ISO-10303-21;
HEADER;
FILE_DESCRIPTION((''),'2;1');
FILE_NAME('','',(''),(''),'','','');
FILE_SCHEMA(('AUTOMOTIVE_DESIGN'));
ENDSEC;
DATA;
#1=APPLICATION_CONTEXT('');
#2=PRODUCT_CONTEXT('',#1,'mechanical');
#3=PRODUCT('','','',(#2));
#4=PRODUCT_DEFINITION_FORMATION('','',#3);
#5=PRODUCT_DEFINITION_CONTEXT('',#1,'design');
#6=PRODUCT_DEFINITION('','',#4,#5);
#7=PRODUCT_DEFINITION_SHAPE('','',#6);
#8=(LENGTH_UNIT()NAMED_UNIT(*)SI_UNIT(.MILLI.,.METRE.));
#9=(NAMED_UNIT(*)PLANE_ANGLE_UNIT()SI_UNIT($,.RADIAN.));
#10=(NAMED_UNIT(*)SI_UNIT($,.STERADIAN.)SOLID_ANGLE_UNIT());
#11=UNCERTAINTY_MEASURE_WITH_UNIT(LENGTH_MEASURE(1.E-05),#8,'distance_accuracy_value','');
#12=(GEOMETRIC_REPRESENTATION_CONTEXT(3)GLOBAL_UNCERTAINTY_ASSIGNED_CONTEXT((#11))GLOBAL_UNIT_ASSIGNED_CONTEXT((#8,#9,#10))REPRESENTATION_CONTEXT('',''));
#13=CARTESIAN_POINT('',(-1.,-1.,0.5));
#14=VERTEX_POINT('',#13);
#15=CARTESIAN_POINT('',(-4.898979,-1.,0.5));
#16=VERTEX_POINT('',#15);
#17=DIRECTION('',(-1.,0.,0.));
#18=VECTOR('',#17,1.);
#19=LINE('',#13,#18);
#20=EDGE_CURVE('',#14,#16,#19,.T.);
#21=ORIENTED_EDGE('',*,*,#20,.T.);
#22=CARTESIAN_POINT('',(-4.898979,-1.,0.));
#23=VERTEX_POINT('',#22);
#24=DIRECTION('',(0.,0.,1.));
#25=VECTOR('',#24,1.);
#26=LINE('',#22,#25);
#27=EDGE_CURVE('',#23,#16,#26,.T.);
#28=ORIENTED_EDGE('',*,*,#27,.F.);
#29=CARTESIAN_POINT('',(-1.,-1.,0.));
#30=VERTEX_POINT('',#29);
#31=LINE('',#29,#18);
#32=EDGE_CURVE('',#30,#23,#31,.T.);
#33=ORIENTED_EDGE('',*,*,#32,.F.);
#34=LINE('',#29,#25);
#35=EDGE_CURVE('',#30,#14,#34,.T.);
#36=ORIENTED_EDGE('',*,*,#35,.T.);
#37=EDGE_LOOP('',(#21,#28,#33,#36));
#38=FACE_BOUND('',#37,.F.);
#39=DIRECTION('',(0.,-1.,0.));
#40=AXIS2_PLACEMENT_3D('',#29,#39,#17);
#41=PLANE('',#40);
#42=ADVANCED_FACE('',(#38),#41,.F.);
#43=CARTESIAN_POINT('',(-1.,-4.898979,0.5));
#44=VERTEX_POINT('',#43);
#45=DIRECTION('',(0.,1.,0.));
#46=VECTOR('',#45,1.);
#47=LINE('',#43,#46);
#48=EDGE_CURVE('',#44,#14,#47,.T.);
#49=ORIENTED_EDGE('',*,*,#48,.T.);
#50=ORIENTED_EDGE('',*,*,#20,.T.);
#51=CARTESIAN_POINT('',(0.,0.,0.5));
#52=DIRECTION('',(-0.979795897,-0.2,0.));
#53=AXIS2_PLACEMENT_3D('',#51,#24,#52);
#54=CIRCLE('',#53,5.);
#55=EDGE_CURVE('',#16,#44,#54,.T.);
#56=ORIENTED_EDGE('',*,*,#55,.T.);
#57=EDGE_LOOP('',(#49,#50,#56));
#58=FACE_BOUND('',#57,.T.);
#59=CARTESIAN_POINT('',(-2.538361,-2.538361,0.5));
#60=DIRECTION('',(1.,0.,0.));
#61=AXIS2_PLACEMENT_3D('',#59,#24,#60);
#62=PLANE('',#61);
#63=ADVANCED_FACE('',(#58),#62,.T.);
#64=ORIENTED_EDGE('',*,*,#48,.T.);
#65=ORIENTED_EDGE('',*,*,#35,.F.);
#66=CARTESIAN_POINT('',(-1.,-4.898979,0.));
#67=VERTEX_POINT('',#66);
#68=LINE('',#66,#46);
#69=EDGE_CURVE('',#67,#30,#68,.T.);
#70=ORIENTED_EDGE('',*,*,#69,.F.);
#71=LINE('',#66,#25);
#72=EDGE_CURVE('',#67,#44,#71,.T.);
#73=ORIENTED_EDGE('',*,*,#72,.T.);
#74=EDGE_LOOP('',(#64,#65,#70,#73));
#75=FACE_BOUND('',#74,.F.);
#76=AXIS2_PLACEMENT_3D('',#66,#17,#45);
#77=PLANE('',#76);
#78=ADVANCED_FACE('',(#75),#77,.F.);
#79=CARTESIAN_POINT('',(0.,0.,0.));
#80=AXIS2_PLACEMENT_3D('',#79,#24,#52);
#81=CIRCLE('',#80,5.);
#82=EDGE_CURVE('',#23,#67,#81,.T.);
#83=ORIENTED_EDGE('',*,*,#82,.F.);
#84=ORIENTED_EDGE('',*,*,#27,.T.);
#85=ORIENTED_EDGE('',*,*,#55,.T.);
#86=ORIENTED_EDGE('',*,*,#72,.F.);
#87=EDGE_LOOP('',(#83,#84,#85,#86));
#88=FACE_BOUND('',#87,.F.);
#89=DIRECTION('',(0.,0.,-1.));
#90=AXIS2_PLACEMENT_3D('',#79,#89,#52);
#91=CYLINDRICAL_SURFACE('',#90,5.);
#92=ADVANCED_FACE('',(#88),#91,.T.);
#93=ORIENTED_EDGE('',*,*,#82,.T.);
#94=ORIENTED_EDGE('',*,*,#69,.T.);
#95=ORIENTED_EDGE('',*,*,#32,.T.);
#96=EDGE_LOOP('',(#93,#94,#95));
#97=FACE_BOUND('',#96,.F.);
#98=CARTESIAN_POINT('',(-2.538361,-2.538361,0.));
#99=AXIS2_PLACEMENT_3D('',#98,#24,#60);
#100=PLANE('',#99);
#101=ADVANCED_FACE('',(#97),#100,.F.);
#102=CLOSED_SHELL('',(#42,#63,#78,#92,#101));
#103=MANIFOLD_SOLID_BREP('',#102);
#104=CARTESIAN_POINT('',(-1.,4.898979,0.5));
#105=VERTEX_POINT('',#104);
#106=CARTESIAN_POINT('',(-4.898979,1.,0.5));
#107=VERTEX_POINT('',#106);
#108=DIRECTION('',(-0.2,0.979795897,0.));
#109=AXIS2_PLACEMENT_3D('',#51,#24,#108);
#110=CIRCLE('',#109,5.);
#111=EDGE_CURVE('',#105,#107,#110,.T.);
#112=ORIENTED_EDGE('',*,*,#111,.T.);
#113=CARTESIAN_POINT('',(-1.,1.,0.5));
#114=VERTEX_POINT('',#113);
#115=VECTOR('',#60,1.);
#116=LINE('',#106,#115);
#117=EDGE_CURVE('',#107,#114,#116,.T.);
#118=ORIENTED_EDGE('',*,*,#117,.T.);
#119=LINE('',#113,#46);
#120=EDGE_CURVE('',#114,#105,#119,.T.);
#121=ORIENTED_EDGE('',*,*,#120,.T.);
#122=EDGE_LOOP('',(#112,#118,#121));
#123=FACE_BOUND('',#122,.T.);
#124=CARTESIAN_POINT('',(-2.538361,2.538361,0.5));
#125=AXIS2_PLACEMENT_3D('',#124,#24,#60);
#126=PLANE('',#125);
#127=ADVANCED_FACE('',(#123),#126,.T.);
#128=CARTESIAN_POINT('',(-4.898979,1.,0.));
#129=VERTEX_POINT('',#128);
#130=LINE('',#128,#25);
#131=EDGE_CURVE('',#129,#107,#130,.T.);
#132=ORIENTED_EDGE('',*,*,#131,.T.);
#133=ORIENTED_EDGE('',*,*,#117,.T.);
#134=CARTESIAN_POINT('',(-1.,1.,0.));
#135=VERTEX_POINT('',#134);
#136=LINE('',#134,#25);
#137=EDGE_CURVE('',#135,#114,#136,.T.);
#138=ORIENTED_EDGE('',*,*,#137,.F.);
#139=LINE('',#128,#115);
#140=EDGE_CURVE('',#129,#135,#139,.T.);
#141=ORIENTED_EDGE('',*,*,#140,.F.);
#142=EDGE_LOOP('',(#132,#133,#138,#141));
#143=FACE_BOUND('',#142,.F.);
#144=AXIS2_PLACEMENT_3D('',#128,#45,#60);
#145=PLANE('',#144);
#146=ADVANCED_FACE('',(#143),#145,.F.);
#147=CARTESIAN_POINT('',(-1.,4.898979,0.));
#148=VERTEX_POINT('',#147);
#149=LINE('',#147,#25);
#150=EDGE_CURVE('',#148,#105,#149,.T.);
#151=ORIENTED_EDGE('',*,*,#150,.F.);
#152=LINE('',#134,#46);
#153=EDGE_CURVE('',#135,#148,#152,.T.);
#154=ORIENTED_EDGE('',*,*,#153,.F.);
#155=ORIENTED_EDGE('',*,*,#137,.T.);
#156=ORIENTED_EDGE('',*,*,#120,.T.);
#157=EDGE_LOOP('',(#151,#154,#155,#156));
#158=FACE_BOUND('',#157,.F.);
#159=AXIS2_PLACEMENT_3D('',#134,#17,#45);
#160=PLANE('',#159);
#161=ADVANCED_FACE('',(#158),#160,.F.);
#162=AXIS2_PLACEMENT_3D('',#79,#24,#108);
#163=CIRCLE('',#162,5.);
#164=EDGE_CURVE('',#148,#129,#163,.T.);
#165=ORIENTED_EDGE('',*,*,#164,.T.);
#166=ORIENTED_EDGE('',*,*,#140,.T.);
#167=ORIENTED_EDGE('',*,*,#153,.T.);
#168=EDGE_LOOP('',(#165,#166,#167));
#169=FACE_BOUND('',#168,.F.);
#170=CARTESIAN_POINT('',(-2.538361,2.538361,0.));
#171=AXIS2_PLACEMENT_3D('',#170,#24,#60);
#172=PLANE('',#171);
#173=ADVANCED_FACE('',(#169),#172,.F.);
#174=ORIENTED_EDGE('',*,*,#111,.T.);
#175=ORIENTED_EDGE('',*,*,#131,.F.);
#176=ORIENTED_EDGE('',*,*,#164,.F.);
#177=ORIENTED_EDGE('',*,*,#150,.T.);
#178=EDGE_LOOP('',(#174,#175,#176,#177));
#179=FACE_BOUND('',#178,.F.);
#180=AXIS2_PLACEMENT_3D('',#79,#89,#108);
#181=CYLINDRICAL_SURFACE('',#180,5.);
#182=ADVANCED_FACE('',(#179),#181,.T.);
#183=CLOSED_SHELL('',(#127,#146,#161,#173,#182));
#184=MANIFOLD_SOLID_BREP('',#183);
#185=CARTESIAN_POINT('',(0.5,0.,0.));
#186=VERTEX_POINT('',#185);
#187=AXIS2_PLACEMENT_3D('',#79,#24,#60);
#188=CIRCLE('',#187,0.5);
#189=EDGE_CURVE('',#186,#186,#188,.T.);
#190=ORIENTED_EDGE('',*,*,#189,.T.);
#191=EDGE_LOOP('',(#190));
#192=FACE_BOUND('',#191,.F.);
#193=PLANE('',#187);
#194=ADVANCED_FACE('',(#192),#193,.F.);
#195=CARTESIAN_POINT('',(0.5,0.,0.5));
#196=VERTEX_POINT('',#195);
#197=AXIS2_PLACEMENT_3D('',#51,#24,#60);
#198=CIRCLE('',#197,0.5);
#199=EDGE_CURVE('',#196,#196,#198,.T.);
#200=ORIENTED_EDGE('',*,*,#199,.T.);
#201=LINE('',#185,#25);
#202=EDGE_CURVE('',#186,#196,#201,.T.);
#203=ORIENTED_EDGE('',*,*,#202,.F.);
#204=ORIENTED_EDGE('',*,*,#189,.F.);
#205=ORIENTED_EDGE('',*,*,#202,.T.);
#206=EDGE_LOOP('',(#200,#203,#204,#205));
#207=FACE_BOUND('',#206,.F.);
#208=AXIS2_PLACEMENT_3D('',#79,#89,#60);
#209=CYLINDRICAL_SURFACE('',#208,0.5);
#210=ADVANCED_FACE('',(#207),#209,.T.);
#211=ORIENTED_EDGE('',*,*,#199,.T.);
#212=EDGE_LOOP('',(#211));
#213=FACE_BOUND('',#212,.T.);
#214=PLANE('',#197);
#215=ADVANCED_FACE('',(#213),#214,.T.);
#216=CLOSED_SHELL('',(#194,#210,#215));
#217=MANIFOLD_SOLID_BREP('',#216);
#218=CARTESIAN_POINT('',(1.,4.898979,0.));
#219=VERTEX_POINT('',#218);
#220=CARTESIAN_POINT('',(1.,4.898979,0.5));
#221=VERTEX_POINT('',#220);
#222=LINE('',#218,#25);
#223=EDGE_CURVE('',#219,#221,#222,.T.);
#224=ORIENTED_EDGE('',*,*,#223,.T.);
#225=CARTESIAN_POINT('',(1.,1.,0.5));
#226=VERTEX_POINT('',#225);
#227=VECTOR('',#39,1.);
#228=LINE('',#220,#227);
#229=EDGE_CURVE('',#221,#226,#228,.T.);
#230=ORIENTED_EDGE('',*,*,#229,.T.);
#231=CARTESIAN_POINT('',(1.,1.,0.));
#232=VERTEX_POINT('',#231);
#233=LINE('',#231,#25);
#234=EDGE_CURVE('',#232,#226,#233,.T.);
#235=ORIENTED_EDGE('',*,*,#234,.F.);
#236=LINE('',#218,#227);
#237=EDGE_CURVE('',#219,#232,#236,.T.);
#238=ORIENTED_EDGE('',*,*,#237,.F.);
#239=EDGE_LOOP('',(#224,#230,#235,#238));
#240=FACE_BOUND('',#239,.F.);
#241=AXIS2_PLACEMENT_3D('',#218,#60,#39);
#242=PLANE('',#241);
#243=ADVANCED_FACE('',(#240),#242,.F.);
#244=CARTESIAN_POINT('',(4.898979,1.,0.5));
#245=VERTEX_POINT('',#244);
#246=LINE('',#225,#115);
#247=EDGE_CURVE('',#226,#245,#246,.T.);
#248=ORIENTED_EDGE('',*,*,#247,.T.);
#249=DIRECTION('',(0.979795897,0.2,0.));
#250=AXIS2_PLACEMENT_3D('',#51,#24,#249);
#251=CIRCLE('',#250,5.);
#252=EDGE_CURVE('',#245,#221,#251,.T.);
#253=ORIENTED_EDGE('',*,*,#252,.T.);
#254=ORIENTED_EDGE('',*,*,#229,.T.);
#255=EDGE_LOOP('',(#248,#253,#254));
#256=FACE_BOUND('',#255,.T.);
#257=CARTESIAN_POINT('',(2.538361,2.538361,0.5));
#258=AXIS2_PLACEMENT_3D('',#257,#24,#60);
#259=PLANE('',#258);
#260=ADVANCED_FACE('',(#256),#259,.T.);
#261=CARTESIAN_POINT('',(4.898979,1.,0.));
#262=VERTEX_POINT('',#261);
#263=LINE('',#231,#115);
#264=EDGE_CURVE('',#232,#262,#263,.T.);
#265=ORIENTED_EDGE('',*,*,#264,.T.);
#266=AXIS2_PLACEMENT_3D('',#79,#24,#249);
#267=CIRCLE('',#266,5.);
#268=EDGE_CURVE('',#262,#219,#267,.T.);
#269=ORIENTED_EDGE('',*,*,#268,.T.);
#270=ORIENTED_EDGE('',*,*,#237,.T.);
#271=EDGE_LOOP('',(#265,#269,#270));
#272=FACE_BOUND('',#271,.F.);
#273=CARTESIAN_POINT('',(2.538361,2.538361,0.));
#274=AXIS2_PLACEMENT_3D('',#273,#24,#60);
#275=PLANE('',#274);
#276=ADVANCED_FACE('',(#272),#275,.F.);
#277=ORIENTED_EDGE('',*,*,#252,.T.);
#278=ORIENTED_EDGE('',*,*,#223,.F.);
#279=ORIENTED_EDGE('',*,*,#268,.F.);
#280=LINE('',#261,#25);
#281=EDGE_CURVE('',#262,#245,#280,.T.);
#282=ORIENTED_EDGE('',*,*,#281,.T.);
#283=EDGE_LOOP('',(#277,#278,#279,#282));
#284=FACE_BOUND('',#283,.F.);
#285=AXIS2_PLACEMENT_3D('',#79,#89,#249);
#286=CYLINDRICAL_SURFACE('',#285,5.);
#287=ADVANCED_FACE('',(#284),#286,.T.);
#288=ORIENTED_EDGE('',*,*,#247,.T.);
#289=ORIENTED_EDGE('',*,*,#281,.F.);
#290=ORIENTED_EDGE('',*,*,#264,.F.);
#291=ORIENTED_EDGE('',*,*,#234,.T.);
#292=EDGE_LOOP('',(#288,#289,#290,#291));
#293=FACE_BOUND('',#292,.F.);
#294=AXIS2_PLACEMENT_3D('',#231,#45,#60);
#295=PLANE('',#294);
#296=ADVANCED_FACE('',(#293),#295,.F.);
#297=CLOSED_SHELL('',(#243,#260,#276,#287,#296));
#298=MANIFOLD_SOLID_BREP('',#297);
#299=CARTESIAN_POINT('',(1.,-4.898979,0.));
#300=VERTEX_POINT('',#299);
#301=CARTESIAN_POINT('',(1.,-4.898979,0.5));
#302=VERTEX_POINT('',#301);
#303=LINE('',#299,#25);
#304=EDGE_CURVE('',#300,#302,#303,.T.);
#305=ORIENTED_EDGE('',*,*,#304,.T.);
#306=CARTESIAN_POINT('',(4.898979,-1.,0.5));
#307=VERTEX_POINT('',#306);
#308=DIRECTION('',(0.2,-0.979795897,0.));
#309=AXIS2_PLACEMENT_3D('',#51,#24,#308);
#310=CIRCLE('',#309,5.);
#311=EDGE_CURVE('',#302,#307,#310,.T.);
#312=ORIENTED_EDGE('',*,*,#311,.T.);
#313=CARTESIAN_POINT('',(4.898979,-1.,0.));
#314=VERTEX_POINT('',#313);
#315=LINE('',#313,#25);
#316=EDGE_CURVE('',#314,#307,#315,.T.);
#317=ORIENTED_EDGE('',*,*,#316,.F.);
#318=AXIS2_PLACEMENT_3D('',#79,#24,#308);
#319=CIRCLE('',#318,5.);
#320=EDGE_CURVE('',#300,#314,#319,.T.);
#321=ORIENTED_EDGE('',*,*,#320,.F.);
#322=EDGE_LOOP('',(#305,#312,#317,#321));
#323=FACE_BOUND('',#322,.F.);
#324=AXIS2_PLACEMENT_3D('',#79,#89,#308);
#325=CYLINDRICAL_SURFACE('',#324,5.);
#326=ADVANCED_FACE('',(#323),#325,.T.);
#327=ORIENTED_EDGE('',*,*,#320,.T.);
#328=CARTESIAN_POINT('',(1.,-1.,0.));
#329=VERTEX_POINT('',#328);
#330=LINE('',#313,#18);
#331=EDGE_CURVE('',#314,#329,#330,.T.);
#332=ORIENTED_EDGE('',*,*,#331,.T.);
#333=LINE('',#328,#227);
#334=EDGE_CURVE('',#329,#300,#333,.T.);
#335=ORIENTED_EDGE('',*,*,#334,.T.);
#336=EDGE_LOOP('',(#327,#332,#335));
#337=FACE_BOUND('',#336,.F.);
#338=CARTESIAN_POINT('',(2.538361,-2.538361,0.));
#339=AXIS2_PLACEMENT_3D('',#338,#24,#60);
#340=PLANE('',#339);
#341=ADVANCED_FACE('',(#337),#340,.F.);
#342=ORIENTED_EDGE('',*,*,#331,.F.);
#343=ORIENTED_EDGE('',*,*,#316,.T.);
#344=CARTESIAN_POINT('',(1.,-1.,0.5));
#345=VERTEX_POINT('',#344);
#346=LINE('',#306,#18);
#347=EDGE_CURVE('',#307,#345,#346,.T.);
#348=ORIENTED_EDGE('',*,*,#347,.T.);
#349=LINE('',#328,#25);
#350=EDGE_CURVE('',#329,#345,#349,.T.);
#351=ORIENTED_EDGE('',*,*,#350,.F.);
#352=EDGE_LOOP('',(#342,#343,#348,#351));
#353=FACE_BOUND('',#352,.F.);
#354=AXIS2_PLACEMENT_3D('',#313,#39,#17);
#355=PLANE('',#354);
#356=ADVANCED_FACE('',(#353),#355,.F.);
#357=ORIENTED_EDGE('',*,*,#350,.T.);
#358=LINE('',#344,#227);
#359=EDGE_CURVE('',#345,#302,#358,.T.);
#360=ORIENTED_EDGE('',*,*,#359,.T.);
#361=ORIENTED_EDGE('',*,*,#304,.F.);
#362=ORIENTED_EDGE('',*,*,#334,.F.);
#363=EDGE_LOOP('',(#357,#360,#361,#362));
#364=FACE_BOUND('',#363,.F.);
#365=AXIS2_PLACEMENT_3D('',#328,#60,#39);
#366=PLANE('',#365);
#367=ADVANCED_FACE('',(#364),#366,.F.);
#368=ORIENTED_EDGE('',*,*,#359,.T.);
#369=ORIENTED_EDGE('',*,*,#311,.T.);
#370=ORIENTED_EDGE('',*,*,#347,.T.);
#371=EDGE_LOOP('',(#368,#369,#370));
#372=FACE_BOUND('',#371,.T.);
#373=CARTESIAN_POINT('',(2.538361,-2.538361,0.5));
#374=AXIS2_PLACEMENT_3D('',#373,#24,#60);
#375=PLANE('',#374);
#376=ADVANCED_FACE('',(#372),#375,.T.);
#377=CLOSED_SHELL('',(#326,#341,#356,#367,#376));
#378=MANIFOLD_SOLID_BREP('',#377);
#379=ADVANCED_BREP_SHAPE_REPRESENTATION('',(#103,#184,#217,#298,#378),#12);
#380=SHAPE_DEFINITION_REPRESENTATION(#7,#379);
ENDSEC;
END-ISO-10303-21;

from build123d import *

# Parameters (mm, degrees)
F0_R     = 0.5
F1_DEPTH = 0.5


with BuildPart() as f1:
    # F0 (on Top) → F1 (new body)
    with BuildSketch(Plane.XY):
        Circle(F0_R)
    extrude(amount=F1_DEPTH)


with BuildPart() as f1b:
    # F0 (on Top) → F1, piece 2 (new body)
    with BuildSketch(Plane.XY):
        with BuildLine():
            Line((-1, 1), (-1, 4.8989794856))
            ThreePointArc((-1, 4.8989794856), (-3.5355339059, 3.5355339059), (-4.8989794856, 1))
            Line((-4.8989794856, 1), (-1, 1))
        make_face()
    extrude(amount=F1_DEPTH)


with BuildPart() as f1c:
    # F0 (on Top) → F1, piece 3 (new body)
    with BuildSketch(Plane.XY):
        with BuildLine():
            Line((1, 1), (4.8989794856, 1))
            ThreePointArc((4.8989794856, 1), (3.5355339059, 3.5355339059), (1, 4.8989794856))
            Line((1, 4.8989794856), (1, 1))
        make_face()
    extrude(amount=F1_DEPTH)


with BuildPart() as f1d:
    # F0 (on Top) → F1, piece 4 (new body)
    with BuildSketch(Plane.XY):
        with BuildLine():
            ThreePointArc((1, -4.8989794856), (3.5355339059, -3.5355339059), (4.8989794856, -1))
            Line((4.8989794856, -1), (1, -1))
            Line((1, -1), (1, -4.8989794856))
        make_face()
    extrude(amount=F1_DEPTH)


with BuildPart() as f1e:
    # F0 (on Top) → F1, piece 5 (new body)
    with BuildSketch(Plane.XY):
        with BuildLine():
            ThreePointArc((-4.8989794856, -1), (-3.5355339059, -3.5355339059), (-1, -4.8989794856))
            Line((-1, -4.8989794856), (-1, -1))
            Line((-1, -1), (-4.8989794856, -1))
        make_face()
    extrude(amount=F1_DEPTH)


solid = Compound([f1.part, f1b.part, f1c.part, f1d.part, f1e.part])
